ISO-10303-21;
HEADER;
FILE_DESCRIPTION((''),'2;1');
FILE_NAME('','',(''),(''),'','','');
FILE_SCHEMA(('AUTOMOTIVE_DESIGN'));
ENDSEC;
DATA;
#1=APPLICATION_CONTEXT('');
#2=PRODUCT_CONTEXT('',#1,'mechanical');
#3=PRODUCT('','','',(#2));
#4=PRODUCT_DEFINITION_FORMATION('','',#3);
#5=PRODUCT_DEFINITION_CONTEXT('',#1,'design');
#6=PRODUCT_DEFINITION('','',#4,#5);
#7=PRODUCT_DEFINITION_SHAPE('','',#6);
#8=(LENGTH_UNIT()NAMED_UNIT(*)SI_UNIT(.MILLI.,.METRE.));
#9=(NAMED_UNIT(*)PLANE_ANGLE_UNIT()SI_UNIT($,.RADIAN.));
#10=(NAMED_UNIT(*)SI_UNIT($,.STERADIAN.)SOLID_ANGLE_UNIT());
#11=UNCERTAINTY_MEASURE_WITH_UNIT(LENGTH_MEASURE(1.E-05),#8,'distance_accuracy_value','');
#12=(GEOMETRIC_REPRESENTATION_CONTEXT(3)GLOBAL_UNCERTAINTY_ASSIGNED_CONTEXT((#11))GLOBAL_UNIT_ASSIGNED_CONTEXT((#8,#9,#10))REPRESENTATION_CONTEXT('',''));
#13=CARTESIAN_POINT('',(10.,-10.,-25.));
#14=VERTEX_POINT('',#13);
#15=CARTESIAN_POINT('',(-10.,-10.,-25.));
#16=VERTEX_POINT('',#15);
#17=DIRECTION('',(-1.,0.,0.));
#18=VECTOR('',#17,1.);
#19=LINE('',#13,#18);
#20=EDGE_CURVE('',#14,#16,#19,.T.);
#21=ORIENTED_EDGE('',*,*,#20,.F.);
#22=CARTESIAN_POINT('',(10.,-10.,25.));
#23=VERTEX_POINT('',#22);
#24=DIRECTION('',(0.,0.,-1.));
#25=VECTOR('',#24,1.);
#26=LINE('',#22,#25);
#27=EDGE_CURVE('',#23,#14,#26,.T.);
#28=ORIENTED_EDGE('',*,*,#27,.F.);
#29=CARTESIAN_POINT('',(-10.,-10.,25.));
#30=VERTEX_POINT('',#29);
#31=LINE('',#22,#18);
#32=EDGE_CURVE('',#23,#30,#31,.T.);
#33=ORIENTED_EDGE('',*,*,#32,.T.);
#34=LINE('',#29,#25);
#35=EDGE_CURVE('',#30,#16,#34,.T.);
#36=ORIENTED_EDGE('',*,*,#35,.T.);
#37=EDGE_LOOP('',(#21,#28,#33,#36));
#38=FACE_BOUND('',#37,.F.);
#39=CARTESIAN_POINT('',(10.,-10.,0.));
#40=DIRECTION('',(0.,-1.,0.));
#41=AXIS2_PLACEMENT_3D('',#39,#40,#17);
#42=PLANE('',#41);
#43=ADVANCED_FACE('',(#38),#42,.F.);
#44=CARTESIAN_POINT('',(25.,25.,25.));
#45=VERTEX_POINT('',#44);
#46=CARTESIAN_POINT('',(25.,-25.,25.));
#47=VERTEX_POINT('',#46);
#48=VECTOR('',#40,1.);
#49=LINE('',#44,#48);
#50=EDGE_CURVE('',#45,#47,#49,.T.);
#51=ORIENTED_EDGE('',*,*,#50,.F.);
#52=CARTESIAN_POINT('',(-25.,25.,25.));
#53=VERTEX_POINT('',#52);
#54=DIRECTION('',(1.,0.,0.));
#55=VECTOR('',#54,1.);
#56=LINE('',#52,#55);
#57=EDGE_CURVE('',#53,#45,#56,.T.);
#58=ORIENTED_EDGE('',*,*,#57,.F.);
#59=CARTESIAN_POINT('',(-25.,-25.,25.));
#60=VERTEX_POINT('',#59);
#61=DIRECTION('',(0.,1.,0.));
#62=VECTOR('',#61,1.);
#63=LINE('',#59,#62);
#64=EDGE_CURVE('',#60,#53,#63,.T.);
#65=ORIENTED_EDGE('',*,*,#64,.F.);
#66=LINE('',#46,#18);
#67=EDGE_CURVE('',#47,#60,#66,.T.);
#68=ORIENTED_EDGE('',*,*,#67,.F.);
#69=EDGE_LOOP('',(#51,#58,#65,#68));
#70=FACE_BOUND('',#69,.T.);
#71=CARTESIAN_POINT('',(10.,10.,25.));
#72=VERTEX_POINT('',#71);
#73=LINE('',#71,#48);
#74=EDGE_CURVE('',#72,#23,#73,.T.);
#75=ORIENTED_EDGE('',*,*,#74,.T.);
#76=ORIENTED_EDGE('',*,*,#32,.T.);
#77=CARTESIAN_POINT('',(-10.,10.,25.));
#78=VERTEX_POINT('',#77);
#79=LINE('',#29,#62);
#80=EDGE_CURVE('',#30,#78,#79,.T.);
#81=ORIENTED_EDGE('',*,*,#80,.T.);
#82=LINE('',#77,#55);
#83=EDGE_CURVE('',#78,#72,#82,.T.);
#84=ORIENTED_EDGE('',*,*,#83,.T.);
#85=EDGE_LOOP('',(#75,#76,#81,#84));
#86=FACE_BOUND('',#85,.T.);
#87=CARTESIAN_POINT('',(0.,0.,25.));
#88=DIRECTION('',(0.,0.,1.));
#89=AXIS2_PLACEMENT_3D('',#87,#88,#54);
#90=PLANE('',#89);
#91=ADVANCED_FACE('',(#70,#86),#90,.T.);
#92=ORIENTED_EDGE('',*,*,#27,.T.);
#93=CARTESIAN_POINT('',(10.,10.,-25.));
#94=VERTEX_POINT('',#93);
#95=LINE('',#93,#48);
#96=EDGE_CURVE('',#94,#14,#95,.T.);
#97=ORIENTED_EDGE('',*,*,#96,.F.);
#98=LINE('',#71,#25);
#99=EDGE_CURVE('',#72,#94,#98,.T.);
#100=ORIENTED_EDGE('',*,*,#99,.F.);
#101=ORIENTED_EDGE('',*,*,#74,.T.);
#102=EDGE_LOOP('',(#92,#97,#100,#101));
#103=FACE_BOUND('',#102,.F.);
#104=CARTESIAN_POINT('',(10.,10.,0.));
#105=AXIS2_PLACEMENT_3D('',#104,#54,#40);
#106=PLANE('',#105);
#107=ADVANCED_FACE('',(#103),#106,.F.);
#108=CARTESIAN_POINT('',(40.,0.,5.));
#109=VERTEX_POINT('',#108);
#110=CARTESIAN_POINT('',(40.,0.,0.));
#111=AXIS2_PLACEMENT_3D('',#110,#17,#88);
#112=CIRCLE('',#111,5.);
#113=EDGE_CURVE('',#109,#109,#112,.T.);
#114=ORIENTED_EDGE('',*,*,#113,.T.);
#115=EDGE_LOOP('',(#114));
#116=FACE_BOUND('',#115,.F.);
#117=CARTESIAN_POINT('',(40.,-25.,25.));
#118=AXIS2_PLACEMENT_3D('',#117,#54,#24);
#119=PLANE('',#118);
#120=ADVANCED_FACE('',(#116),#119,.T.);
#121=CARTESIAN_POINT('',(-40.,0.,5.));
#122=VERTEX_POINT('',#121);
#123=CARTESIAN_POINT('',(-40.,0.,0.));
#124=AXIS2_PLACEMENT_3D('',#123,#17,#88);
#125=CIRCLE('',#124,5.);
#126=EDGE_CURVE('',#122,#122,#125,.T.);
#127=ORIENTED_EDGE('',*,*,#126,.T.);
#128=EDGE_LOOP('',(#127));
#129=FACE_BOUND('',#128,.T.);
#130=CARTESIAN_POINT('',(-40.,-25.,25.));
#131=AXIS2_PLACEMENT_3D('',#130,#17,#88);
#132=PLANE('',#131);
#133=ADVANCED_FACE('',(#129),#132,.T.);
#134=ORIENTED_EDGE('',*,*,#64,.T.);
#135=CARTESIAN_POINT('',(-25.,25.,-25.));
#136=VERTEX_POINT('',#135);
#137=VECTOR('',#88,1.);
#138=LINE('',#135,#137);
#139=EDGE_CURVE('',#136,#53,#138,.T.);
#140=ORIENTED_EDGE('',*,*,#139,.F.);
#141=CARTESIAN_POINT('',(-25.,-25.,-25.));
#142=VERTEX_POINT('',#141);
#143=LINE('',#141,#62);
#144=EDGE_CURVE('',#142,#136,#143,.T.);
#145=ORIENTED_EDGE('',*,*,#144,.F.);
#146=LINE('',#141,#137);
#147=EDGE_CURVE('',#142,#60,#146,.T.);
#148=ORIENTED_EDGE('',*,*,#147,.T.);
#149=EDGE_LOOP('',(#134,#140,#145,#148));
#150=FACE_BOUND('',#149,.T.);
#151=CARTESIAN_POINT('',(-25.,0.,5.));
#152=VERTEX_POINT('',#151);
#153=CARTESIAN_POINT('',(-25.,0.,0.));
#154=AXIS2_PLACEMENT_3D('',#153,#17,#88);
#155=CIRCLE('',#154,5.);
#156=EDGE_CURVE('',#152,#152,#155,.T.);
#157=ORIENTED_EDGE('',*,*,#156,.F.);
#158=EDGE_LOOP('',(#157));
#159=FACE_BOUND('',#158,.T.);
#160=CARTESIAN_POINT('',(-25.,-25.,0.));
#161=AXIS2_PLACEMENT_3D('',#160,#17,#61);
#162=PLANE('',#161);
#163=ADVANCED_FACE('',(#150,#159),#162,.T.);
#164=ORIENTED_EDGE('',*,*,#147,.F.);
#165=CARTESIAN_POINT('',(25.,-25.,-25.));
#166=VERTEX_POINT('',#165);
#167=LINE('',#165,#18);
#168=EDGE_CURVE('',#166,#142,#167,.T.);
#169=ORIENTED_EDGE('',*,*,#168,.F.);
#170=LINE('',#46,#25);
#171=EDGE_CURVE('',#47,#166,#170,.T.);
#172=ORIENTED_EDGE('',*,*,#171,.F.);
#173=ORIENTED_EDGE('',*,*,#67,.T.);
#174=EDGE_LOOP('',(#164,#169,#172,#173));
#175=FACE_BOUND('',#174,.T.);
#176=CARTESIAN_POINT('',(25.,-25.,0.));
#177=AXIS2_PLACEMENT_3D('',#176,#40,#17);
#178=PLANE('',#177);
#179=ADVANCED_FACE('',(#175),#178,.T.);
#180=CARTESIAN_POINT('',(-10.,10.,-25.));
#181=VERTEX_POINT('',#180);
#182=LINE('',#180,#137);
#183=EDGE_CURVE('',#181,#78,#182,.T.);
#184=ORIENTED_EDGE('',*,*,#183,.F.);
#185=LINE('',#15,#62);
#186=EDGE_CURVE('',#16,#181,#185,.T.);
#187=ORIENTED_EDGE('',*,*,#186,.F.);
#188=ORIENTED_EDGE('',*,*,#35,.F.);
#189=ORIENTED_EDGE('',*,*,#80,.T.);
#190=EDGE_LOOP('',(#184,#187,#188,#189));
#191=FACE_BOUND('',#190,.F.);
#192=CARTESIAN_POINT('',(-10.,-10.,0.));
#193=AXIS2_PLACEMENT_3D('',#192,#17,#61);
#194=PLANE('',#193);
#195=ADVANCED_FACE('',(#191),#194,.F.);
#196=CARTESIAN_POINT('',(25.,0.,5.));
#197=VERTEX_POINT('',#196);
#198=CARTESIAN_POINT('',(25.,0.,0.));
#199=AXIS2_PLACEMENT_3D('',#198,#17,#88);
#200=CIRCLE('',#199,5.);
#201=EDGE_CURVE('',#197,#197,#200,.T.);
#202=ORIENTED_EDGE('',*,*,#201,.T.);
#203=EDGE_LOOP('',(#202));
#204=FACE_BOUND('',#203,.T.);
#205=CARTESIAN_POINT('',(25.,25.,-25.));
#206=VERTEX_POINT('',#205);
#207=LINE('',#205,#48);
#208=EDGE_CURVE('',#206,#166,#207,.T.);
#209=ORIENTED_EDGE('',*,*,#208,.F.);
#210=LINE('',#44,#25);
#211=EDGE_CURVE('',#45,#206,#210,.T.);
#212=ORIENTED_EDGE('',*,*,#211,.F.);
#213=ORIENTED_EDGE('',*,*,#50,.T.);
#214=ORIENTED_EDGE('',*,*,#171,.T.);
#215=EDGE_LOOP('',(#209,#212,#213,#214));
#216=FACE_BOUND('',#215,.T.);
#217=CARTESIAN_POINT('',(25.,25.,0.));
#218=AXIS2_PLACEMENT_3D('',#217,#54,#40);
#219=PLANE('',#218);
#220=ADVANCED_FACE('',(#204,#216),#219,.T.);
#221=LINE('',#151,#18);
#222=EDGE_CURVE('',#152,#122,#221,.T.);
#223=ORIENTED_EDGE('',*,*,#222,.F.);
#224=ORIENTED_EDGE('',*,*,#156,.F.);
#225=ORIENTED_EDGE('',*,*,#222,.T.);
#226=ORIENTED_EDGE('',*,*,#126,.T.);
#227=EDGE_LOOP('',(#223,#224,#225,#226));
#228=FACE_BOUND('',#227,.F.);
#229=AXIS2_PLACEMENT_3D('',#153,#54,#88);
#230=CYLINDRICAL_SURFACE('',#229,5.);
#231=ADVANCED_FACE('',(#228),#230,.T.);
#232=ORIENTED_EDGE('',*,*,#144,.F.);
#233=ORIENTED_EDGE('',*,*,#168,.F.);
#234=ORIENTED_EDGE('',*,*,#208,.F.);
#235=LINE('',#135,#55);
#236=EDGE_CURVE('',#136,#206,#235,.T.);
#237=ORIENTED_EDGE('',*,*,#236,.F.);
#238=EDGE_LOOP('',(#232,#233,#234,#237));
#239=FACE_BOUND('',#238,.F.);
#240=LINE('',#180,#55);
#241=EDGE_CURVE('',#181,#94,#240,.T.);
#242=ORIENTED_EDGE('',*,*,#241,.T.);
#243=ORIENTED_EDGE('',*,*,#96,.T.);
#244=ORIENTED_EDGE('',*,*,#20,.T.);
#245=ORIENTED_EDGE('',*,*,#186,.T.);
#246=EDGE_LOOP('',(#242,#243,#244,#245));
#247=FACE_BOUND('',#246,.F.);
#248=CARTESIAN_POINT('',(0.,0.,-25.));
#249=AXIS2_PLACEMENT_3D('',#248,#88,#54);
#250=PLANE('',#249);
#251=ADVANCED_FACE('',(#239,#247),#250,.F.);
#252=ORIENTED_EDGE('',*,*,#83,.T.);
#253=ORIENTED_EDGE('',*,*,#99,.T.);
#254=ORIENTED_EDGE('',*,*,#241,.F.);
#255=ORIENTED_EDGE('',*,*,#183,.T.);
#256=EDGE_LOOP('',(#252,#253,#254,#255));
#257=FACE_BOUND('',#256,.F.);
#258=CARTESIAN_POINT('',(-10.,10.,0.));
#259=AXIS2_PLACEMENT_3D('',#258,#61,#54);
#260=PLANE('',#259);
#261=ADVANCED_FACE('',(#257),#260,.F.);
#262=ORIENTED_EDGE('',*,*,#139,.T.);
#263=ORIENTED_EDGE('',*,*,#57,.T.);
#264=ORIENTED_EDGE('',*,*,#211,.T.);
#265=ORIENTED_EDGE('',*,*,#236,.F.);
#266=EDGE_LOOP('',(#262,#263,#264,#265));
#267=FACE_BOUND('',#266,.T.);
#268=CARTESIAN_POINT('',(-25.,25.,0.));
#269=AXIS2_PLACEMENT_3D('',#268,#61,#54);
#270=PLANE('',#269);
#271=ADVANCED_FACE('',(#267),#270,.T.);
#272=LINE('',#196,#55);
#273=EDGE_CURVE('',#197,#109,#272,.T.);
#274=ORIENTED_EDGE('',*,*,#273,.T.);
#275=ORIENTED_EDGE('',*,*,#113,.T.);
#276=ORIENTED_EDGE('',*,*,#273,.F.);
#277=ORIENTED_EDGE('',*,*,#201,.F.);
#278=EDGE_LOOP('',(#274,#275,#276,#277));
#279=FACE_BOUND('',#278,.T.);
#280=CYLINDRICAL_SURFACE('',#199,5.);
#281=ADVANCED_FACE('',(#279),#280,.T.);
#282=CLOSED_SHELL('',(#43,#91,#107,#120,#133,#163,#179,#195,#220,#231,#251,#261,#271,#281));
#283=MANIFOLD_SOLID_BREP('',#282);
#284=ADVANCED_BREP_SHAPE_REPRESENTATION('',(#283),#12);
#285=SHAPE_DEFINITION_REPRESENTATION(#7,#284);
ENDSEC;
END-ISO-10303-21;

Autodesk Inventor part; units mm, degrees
ref_plane "YZ Plane" through (0, 0, 0) normal (1, 0, 0) x (0, 1, 0)
ref_plane "XZ Plane" through (0, 0, 0) normal (0, 1, 0) x (-1, 0, 0)
ref_plane "XY Plane" through (0, 0, 0) normal (0, 0, 1) x (1, 0, 0)
sketch "Sketch1" plane through (0, 0, 0) normal (0, 0, 1) x (1, 0, 0)
  line L0 (-25, 25) -> (25, 25)
  line L1 (25, 25) -> (25, -25)
  line L2 (25, -25) -> (-25, -25)
  line L3 (-25, -25) -> (-25, 25)
  line L4 (-10, 10) -> (10, 10)
  line L5 (10, 10) -> (10, -10)
  line L6 (10, -10) -> (-10, -10)
  line L7 (-10, -10) -> (-10, 10)
  point P0 (0, 0)
  dimension "d0" = 50
  dimension "d1" = 50
  dimension "d2" = 25
  dimension "d3" = 25
  dimension "d4" = 20
  dimension "d5" = 20
  dimension "d6" = 10
  dimension "d7" = 10
extrude "Extrusion1" add sketch "Sketch1" along normal mid plane 50
sketch "Sketch2" plane through (-25, -25, 25) normal (-1, 0, 0) x (0, 0, 1)
  circle A0 centre (-25, 25) radius 5
  dimension "d10" = 10
extrude "Extrusion2" add sketch "Sketch2" along normal blind 15
mirror "Mirror1" about plane through (0, 0, 0) normal (1, 0, 0) of "Extrusion2"
properties part number "prismaticFulcrum" material "Stainless Steel"
